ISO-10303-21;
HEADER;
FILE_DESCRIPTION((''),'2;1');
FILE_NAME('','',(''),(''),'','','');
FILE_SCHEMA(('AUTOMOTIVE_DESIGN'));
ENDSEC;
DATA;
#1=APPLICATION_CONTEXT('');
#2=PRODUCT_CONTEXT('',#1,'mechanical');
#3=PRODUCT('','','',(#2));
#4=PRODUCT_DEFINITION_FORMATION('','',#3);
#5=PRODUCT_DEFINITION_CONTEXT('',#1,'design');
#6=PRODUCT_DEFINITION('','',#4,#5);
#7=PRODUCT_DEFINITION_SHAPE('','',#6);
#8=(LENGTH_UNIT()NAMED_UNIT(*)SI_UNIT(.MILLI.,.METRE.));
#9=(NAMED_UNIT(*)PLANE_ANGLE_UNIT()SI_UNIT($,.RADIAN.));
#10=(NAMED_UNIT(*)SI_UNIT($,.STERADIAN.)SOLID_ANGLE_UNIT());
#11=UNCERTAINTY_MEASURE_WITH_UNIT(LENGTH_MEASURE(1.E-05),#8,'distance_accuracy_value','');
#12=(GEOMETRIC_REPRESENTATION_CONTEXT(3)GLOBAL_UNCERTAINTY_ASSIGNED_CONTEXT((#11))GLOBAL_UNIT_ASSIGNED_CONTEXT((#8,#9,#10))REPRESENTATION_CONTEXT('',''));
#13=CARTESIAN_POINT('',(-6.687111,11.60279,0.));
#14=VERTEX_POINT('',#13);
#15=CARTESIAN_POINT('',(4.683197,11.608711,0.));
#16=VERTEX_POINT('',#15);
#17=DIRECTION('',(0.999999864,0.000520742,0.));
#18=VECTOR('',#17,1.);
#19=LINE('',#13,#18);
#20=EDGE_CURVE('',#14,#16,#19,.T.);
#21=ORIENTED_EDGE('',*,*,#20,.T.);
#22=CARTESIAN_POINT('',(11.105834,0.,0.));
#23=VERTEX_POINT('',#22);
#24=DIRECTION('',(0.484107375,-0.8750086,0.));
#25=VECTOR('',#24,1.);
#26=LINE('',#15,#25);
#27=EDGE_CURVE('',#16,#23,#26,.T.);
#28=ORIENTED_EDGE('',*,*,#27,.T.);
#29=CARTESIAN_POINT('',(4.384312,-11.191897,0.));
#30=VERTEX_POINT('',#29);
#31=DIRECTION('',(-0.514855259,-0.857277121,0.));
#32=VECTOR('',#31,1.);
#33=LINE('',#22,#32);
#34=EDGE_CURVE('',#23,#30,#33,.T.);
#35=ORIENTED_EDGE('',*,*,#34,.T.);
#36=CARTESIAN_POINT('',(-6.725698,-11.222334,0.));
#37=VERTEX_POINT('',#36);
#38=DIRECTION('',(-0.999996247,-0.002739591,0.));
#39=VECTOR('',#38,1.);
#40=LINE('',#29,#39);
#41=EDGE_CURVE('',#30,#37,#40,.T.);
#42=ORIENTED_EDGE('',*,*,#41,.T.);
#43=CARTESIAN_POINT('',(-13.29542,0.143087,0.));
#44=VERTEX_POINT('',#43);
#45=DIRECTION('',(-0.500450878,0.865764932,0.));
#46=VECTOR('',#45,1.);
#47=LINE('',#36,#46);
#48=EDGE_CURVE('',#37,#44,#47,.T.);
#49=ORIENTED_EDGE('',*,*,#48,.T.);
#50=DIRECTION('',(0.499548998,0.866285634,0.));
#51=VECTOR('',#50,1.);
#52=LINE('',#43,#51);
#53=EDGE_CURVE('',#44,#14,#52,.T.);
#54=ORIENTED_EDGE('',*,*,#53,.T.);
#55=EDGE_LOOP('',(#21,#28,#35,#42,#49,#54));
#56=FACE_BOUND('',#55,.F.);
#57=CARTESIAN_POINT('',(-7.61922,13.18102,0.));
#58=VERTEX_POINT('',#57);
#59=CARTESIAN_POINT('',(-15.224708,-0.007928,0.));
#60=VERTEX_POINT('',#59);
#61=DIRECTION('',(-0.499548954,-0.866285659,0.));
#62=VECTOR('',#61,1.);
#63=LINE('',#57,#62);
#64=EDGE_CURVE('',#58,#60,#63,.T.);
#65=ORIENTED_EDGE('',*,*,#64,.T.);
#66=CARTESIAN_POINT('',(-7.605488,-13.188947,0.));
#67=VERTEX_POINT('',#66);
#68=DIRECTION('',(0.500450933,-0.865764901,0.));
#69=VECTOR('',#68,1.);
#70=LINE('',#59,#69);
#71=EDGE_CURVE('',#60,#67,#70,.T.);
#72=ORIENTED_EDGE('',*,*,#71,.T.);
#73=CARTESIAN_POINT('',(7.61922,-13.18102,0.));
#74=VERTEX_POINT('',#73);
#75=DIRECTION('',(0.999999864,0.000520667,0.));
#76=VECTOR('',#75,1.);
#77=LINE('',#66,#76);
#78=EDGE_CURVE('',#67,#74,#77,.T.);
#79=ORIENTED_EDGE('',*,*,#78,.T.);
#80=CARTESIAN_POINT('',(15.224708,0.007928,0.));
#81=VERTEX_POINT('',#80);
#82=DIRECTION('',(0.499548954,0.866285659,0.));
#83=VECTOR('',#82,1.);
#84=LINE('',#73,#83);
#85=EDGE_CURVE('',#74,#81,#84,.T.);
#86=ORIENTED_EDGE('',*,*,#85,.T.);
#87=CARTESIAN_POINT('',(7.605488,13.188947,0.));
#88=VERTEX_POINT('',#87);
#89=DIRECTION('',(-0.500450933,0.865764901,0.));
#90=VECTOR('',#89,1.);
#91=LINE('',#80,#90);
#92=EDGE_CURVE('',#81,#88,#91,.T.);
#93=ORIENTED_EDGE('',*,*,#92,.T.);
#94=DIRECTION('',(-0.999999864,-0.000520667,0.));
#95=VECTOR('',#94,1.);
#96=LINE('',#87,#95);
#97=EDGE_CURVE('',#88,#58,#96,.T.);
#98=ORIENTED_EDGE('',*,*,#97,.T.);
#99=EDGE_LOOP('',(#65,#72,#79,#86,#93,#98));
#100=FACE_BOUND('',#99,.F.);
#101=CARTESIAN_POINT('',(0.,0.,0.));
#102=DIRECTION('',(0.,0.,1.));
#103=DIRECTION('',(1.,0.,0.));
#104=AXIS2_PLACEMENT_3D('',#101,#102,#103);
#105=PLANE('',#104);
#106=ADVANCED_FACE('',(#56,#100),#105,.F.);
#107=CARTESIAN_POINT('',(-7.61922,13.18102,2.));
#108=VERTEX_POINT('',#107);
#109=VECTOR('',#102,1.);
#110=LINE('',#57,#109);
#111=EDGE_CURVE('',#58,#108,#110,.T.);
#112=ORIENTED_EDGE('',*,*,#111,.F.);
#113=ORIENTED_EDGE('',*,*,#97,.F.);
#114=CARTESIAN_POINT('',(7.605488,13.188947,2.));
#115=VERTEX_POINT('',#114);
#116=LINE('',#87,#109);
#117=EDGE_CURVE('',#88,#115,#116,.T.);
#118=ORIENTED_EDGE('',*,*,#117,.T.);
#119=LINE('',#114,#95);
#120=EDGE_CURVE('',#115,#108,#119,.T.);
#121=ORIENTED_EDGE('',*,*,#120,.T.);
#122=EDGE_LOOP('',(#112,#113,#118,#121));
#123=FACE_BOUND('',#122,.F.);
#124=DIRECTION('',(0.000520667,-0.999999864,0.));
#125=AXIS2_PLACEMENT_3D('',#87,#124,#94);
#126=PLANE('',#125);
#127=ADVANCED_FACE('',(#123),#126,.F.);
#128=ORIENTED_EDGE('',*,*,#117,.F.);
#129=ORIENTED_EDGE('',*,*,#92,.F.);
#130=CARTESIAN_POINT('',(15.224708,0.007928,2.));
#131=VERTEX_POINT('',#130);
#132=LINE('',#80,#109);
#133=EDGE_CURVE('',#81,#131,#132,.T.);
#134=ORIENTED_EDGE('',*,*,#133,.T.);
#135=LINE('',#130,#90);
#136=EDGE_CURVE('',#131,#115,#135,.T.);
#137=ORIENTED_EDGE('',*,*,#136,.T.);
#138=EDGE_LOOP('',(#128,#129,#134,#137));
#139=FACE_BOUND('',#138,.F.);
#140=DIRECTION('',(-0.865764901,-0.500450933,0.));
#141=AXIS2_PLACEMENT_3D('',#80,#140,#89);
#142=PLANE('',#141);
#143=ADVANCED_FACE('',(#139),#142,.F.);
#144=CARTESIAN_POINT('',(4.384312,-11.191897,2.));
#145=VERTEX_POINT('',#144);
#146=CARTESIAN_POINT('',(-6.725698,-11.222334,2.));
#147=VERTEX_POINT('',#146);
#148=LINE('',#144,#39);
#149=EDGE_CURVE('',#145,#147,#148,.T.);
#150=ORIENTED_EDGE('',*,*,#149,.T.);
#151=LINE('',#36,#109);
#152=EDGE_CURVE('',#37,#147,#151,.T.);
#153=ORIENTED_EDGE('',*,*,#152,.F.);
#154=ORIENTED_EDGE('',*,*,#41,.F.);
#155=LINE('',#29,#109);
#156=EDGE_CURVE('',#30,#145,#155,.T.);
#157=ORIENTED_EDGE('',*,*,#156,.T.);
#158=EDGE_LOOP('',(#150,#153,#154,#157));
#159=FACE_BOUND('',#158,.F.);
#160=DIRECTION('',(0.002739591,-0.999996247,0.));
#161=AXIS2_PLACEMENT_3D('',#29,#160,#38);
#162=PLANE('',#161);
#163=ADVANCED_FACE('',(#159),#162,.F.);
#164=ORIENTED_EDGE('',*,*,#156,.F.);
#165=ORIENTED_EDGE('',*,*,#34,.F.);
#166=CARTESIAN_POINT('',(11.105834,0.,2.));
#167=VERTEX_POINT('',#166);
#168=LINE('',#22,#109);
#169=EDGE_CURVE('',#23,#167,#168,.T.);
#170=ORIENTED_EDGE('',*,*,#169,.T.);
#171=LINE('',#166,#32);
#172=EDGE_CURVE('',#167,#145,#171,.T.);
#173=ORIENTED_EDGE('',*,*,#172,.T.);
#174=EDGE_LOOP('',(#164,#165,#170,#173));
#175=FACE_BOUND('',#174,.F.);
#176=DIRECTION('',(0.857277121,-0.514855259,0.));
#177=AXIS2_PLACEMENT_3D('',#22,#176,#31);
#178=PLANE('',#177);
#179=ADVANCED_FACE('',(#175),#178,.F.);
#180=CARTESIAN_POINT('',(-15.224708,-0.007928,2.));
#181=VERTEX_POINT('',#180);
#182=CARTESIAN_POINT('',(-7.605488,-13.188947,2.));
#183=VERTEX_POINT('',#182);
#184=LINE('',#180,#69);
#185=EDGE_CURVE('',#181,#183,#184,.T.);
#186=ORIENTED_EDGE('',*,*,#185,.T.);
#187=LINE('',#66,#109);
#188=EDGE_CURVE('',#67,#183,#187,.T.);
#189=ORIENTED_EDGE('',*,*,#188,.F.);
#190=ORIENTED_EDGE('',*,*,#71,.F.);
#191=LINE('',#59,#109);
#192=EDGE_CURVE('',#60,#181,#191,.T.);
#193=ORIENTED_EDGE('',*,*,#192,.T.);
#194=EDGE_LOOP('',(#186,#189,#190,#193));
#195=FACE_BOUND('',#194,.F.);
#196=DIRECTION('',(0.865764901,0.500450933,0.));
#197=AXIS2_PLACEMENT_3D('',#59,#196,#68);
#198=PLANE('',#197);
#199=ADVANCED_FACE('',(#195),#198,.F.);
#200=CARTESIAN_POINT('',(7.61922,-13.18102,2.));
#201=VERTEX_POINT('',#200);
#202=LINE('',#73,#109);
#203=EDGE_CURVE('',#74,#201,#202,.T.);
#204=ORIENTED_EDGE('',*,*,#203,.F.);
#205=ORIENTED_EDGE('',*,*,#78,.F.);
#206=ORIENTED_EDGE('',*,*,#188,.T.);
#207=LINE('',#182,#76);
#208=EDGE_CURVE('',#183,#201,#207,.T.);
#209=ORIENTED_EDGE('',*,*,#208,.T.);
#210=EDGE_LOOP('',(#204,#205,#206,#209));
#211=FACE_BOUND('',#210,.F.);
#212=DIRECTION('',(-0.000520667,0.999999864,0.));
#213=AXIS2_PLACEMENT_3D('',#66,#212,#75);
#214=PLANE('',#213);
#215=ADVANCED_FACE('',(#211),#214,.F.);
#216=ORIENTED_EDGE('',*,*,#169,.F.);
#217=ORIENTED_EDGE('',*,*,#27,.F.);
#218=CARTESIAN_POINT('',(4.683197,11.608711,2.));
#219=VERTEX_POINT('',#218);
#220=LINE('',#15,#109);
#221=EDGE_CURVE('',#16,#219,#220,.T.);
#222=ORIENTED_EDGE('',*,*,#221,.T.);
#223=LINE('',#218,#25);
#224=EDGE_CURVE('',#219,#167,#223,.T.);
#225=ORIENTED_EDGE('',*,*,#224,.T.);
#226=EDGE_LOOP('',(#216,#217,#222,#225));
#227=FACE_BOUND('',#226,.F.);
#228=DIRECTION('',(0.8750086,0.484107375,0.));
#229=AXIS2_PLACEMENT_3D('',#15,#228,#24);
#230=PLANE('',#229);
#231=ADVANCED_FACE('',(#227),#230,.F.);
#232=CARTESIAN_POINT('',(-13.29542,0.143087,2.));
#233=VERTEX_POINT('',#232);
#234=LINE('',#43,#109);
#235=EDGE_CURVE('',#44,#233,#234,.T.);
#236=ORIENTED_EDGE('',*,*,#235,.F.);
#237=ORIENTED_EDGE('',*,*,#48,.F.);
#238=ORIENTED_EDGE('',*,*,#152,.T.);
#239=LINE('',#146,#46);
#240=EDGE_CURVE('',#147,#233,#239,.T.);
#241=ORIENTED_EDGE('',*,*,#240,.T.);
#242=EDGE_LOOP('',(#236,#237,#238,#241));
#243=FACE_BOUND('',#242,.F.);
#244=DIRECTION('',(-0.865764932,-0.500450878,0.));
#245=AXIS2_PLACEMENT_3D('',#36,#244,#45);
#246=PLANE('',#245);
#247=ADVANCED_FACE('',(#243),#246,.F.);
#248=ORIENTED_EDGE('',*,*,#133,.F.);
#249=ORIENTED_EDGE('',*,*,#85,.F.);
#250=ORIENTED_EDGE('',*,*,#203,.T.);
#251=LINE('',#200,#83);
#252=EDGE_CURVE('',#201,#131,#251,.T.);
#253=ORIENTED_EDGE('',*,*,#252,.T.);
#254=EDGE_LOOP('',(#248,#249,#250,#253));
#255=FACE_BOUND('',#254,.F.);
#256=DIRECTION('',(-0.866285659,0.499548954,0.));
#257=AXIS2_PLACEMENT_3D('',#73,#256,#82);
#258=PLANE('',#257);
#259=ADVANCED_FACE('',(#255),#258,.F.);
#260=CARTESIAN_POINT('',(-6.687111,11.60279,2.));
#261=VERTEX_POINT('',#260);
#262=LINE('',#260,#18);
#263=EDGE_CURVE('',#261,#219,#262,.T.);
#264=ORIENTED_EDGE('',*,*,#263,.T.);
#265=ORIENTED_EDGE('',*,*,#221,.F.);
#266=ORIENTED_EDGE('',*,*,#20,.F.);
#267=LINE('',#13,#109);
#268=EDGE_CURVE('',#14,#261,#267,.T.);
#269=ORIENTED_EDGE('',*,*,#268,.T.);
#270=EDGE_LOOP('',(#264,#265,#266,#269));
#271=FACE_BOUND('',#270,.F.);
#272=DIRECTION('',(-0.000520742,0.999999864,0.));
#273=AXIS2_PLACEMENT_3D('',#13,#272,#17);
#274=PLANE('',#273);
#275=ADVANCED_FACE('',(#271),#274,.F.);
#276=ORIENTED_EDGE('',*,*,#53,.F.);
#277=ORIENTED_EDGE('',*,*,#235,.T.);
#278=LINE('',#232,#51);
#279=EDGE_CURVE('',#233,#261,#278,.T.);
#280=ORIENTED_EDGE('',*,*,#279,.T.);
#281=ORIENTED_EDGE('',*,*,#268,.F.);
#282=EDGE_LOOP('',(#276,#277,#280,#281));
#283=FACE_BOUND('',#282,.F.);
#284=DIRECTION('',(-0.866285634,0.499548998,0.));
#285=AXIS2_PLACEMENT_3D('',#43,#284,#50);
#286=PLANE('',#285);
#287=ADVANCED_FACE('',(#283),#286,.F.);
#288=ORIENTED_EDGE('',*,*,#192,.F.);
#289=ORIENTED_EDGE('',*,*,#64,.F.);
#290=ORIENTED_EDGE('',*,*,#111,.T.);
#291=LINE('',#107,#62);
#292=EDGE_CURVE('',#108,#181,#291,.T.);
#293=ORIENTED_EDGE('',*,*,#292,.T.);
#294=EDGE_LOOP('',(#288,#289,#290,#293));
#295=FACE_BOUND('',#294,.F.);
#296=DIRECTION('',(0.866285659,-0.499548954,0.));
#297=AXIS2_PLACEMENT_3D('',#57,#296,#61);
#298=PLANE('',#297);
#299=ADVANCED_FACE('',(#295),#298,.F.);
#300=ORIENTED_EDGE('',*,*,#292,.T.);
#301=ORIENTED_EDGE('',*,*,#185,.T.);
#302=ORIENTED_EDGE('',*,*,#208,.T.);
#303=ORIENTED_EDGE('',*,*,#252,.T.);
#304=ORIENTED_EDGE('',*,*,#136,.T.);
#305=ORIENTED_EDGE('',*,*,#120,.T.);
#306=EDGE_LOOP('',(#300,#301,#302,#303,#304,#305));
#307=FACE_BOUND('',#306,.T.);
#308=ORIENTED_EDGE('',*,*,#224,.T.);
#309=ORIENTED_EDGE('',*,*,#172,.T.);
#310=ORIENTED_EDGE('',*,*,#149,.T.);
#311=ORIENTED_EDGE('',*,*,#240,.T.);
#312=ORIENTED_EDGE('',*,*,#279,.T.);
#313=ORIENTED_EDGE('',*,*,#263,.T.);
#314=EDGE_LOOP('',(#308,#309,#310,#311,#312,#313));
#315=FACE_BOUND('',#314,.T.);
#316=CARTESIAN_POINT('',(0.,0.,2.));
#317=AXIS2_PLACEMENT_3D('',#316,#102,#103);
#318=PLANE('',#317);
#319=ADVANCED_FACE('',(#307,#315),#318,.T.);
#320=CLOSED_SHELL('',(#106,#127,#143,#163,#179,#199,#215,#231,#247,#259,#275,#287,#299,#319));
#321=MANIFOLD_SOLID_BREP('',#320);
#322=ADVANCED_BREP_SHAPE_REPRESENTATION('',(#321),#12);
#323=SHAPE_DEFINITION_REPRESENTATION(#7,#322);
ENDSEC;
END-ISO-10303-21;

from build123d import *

# Parameters (mm, degrees)
F1_DEPTH = 2


with BuildPart() as f1:
    # F0 (on Top) → F1 (new body)
    with BuildSketch(Plane.XY):
        Polygon((-15.224708, -0.007928), (-7.605488, -13.188947), (7.61922, -13.18102), (15.224708, 0.007928), (7.605488, 13.188947), (-7.61922, 13.18102), align=None)
        Polygon((4.384312, -11.191897), (-6.725698, -11.222334), (-13.29542, 0.143087), (-6.687111, 11.60279), (4.683197, 11.608711), (11.105834, 0), align=None, mode=Mode.SUBTRACT)
    extrude(amount=F1_DEPTH)


solid = f1.part
